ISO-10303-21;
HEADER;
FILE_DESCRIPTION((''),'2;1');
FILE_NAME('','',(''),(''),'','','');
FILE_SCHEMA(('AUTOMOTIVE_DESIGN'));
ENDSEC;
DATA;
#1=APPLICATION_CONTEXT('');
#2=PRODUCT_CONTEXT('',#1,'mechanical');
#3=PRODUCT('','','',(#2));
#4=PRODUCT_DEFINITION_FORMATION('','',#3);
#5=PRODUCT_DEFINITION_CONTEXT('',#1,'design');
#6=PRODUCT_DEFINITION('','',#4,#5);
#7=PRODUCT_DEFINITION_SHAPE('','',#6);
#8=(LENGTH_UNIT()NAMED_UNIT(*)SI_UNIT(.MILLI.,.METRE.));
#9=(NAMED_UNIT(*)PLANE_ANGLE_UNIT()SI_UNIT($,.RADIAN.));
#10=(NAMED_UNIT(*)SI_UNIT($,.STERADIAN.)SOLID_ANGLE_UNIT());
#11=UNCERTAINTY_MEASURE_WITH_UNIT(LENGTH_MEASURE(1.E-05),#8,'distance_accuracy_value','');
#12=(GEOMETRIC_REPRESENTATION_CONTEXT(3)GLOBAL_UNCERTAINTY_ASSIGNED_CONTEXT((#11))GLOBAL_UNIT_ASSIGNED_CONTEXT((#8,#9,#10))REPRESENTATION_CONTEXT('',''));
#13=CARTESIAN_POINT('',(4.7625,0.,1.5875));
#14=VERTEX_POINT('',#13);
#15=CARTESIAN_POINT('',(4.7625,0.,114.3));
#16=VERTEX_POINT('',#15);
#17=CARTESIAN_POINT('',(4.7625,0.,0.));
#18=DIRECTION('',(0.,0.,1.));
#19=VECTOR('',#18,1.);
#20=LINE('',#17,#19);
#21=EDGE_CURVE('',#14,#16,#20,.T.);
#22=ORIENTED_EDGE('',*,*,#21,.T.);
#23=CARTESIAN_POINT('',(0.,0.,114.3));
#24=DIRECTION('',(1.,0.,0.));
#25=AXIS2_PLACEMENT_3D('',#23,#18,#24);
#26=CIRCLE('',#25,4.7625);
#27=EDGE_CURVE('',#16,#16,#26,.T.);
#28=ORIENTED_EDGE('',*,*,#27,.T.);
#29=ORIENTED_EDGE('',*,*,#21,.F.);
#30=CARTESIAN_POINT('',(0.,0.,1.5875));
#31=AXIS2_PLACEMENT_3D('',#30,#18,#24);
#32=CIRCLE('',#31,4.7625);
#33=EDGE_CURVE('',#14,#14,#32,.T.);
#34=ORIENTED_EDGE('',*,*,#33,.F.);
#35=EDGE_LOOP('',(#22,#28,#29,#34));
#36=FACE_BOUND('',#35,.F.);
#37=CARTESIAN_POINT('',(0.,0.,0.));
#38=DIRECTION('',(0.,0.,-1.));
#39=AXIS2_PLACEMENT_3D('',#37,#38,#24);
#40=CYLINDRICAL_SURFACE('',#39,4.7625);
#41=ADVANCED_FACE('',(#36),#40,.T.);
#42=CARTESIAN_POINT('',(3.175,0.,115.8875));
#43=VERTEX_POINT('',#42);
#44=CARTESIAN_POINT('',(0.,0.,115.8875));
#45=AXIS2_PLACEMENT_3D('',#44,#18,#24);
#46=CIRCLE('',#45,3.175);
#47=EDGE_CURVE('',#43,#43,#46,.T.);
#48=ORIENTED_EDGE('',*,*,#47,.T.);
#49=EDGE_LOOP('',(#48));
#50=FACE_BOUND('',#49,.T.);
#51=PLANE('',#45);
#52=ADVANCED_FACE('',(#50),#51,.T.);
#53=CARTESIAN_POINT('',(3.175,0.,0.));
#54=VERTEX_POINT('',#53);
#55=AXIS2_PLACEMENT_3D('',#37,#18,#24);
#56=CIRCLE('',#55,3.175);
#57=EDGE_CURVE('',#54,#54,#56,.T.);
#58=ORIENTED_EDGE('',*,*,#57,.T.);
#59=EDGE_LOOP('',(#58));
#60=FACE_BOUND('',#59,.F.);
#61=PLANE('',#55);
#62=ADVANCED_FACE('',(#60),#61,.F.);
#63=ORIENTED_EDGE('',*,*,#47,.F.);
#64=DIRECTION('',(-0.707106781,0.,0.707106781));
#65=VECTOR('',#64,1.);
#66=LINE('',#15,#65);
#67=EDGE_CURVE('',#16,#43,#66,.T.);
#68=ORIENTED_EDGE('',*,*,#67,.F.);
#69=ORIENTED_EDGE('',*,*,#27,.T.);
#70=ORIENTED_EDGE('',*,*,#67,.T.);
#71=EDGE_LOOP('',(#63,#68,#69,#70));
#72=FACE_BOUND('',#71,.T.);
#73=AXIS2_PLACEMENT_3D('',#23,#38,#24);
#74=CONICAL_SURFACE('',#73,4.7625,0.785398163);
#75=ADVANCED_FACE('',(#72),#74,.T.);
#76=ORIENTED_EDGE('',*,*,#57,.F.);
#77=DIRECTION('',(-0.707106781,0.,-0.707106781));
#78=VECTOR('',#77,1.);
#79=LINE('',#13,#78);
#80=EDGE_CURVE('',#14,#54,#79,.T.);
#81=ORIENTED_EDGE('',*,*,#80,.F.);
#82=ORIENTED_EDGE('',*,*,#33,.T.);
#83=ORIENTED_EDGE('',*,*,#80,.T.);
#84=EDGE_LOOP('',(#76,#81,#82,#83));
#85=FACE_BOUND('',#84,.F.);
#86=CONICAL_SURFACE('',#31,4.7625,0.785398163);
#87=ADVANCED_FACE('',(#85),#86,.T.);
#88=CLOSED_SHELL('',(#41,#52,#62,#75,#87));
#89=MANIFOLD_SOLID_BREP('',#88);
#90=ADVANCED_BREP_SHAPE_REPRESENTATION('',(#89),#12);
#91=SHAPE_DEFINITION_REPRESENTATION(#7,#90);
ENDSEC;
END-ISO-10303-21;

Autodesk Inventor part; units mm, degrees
ref_plane "YZ Plane" through (0, 0, 0) normal (1, 0, 0) x (0, 1, 0)
ref_plane "XZ Plane" through (0, 0, 0) normal (0, 1, 0) x (-1, 0, 0)
ref_plane "XY Plane" through (0, 0, 0) normal (0, 0, 1) x (1, 0, 0)
sketch "Sketch1" plane through (0, 0, 0) normal (0, 0, 1) x (1, 0, 0)
  circle A0 centre (0, 0) radius 4.7625
  dimension "d0" = 9.525
extrude "Extrusion1" add sketch "Sketch1" along normal blind 115.8875
chamfer "Chamfer1" distance 1.5875 angle 45 2 edges at (-4.7625, 0, 0) (-4.7625, 0, 115.8875)
properties part number "A1-19037-200-07 Trap rod" material "Steel, Mild"
